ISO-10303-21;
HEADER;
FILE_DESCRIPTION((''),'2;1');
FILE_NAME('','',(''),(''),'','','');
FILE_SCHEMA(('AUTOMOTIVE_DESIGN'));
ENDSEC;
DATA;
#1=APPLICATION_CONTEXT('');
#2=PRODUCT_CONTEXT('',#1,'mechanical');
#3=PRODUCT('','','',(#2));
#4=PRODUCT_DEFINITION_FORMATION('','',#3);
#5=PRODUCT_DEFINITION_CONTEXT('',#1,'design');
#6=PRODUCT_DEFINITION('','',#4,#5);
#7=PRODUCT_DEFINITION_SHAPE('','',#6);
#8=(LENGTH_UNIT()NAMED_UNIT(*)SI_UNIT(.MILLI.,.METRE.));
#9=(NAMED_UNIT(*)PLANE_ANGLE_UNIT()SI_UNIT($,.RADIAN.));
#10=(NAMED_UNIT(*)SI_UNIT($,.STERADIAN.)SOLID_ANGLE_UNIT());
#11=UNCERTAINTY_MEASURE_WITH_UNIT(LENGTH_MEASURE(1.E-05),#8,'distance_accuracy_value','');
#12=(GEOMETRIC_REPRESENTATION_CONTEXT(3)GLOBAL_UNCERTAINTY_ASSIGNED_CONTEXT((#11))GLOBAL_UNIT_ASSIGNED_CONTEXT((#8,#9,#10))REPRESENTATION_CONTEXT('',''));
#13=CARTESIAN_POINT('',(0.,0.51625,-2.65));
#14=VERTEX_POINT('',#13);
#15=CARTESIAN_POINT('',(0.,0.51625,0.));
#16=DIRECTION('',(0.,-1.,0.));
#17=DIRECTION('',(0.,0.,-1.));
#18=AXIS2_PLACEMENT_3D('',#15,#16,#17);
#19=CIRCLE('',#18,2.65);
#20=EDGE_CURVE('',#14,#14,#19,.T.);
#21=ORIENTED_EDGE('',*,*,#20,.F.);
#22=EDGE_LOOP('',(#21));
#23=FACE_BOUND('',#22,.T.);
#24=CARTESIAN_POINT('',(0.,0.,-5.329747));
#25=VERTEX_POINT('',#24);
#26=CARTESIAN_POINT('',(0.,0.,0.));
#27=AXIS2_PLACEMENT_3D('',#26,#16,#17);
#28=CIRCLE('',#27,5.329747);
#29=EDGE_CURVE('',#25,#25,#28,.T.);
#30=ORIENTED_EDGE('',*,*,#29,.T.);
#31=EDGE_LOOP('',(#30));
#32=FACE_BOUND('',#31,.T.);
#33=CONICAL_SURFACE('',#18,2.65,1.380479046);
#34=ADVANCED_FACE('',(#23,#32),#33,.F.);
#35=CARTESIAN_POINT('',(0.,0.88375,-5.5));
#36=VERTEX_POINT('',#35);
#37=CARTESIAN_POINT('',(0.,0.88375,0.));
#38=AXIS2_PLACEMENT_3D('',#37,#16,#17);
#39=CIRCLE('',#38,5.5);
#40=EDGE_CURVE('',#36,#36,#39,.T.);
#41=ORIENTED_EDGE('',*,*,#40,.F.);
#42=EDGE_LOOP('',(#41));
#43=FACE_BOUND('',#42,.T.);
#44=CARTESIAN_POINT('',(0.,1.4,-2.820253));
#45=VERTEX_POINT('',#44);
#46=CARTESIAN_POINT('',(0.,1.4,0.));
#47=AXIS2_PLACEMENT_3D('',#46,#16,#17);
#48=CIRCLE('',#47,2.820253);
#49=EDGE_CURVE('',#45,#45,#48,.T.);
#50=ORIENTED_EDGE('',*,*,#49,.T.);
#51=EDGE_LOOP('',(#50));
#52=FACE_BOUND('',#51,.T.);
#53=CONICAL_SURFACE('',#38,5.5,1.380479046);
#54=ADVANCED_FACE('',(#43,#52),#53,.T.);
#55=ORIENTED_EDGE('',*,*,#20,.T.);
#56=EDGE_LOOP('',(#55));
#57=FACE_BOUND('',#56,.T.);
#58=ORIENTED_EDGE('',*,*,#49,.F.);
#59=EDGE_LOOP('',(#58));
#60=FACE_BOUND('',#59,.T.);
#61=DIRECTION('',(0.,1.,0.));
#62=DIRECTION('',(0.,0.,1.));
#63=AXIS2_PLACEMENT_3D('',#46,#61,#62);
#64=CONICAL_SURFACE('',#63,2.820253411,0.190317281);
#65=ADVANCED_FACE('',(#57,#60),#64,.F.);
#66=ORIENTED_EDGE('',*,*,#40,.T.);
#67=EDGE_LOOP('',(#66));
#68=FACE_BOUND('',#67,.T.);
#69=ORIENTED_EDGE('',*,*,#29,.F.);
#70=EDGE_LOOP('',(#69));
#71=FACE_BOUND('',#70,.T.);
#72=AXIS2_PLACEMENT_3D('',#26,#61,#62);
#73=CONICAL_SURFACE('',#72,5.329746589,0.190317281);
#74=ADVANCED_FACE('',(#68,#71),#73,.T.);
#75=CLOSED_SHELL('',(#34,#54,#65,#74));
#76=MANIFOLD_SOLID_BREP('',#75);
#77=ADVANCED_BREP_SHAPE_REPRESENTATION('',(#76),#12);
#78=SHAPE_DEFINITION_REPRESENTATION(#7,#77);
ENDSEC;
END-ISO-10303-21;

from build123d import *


with BuildPart() as part:
    # Sketch1 → Revolve1 (revolve)
    with BuildSketch(Plane.XY):
        Polygon((5.329746589, 0), (2.65, 0.516250162), (2.820253411, 1.4), (5.5, 0.883749838), align=None)
    revolve(axis=Axis((0, 0, 0), (0, 1, 0)))


solid = part.part
